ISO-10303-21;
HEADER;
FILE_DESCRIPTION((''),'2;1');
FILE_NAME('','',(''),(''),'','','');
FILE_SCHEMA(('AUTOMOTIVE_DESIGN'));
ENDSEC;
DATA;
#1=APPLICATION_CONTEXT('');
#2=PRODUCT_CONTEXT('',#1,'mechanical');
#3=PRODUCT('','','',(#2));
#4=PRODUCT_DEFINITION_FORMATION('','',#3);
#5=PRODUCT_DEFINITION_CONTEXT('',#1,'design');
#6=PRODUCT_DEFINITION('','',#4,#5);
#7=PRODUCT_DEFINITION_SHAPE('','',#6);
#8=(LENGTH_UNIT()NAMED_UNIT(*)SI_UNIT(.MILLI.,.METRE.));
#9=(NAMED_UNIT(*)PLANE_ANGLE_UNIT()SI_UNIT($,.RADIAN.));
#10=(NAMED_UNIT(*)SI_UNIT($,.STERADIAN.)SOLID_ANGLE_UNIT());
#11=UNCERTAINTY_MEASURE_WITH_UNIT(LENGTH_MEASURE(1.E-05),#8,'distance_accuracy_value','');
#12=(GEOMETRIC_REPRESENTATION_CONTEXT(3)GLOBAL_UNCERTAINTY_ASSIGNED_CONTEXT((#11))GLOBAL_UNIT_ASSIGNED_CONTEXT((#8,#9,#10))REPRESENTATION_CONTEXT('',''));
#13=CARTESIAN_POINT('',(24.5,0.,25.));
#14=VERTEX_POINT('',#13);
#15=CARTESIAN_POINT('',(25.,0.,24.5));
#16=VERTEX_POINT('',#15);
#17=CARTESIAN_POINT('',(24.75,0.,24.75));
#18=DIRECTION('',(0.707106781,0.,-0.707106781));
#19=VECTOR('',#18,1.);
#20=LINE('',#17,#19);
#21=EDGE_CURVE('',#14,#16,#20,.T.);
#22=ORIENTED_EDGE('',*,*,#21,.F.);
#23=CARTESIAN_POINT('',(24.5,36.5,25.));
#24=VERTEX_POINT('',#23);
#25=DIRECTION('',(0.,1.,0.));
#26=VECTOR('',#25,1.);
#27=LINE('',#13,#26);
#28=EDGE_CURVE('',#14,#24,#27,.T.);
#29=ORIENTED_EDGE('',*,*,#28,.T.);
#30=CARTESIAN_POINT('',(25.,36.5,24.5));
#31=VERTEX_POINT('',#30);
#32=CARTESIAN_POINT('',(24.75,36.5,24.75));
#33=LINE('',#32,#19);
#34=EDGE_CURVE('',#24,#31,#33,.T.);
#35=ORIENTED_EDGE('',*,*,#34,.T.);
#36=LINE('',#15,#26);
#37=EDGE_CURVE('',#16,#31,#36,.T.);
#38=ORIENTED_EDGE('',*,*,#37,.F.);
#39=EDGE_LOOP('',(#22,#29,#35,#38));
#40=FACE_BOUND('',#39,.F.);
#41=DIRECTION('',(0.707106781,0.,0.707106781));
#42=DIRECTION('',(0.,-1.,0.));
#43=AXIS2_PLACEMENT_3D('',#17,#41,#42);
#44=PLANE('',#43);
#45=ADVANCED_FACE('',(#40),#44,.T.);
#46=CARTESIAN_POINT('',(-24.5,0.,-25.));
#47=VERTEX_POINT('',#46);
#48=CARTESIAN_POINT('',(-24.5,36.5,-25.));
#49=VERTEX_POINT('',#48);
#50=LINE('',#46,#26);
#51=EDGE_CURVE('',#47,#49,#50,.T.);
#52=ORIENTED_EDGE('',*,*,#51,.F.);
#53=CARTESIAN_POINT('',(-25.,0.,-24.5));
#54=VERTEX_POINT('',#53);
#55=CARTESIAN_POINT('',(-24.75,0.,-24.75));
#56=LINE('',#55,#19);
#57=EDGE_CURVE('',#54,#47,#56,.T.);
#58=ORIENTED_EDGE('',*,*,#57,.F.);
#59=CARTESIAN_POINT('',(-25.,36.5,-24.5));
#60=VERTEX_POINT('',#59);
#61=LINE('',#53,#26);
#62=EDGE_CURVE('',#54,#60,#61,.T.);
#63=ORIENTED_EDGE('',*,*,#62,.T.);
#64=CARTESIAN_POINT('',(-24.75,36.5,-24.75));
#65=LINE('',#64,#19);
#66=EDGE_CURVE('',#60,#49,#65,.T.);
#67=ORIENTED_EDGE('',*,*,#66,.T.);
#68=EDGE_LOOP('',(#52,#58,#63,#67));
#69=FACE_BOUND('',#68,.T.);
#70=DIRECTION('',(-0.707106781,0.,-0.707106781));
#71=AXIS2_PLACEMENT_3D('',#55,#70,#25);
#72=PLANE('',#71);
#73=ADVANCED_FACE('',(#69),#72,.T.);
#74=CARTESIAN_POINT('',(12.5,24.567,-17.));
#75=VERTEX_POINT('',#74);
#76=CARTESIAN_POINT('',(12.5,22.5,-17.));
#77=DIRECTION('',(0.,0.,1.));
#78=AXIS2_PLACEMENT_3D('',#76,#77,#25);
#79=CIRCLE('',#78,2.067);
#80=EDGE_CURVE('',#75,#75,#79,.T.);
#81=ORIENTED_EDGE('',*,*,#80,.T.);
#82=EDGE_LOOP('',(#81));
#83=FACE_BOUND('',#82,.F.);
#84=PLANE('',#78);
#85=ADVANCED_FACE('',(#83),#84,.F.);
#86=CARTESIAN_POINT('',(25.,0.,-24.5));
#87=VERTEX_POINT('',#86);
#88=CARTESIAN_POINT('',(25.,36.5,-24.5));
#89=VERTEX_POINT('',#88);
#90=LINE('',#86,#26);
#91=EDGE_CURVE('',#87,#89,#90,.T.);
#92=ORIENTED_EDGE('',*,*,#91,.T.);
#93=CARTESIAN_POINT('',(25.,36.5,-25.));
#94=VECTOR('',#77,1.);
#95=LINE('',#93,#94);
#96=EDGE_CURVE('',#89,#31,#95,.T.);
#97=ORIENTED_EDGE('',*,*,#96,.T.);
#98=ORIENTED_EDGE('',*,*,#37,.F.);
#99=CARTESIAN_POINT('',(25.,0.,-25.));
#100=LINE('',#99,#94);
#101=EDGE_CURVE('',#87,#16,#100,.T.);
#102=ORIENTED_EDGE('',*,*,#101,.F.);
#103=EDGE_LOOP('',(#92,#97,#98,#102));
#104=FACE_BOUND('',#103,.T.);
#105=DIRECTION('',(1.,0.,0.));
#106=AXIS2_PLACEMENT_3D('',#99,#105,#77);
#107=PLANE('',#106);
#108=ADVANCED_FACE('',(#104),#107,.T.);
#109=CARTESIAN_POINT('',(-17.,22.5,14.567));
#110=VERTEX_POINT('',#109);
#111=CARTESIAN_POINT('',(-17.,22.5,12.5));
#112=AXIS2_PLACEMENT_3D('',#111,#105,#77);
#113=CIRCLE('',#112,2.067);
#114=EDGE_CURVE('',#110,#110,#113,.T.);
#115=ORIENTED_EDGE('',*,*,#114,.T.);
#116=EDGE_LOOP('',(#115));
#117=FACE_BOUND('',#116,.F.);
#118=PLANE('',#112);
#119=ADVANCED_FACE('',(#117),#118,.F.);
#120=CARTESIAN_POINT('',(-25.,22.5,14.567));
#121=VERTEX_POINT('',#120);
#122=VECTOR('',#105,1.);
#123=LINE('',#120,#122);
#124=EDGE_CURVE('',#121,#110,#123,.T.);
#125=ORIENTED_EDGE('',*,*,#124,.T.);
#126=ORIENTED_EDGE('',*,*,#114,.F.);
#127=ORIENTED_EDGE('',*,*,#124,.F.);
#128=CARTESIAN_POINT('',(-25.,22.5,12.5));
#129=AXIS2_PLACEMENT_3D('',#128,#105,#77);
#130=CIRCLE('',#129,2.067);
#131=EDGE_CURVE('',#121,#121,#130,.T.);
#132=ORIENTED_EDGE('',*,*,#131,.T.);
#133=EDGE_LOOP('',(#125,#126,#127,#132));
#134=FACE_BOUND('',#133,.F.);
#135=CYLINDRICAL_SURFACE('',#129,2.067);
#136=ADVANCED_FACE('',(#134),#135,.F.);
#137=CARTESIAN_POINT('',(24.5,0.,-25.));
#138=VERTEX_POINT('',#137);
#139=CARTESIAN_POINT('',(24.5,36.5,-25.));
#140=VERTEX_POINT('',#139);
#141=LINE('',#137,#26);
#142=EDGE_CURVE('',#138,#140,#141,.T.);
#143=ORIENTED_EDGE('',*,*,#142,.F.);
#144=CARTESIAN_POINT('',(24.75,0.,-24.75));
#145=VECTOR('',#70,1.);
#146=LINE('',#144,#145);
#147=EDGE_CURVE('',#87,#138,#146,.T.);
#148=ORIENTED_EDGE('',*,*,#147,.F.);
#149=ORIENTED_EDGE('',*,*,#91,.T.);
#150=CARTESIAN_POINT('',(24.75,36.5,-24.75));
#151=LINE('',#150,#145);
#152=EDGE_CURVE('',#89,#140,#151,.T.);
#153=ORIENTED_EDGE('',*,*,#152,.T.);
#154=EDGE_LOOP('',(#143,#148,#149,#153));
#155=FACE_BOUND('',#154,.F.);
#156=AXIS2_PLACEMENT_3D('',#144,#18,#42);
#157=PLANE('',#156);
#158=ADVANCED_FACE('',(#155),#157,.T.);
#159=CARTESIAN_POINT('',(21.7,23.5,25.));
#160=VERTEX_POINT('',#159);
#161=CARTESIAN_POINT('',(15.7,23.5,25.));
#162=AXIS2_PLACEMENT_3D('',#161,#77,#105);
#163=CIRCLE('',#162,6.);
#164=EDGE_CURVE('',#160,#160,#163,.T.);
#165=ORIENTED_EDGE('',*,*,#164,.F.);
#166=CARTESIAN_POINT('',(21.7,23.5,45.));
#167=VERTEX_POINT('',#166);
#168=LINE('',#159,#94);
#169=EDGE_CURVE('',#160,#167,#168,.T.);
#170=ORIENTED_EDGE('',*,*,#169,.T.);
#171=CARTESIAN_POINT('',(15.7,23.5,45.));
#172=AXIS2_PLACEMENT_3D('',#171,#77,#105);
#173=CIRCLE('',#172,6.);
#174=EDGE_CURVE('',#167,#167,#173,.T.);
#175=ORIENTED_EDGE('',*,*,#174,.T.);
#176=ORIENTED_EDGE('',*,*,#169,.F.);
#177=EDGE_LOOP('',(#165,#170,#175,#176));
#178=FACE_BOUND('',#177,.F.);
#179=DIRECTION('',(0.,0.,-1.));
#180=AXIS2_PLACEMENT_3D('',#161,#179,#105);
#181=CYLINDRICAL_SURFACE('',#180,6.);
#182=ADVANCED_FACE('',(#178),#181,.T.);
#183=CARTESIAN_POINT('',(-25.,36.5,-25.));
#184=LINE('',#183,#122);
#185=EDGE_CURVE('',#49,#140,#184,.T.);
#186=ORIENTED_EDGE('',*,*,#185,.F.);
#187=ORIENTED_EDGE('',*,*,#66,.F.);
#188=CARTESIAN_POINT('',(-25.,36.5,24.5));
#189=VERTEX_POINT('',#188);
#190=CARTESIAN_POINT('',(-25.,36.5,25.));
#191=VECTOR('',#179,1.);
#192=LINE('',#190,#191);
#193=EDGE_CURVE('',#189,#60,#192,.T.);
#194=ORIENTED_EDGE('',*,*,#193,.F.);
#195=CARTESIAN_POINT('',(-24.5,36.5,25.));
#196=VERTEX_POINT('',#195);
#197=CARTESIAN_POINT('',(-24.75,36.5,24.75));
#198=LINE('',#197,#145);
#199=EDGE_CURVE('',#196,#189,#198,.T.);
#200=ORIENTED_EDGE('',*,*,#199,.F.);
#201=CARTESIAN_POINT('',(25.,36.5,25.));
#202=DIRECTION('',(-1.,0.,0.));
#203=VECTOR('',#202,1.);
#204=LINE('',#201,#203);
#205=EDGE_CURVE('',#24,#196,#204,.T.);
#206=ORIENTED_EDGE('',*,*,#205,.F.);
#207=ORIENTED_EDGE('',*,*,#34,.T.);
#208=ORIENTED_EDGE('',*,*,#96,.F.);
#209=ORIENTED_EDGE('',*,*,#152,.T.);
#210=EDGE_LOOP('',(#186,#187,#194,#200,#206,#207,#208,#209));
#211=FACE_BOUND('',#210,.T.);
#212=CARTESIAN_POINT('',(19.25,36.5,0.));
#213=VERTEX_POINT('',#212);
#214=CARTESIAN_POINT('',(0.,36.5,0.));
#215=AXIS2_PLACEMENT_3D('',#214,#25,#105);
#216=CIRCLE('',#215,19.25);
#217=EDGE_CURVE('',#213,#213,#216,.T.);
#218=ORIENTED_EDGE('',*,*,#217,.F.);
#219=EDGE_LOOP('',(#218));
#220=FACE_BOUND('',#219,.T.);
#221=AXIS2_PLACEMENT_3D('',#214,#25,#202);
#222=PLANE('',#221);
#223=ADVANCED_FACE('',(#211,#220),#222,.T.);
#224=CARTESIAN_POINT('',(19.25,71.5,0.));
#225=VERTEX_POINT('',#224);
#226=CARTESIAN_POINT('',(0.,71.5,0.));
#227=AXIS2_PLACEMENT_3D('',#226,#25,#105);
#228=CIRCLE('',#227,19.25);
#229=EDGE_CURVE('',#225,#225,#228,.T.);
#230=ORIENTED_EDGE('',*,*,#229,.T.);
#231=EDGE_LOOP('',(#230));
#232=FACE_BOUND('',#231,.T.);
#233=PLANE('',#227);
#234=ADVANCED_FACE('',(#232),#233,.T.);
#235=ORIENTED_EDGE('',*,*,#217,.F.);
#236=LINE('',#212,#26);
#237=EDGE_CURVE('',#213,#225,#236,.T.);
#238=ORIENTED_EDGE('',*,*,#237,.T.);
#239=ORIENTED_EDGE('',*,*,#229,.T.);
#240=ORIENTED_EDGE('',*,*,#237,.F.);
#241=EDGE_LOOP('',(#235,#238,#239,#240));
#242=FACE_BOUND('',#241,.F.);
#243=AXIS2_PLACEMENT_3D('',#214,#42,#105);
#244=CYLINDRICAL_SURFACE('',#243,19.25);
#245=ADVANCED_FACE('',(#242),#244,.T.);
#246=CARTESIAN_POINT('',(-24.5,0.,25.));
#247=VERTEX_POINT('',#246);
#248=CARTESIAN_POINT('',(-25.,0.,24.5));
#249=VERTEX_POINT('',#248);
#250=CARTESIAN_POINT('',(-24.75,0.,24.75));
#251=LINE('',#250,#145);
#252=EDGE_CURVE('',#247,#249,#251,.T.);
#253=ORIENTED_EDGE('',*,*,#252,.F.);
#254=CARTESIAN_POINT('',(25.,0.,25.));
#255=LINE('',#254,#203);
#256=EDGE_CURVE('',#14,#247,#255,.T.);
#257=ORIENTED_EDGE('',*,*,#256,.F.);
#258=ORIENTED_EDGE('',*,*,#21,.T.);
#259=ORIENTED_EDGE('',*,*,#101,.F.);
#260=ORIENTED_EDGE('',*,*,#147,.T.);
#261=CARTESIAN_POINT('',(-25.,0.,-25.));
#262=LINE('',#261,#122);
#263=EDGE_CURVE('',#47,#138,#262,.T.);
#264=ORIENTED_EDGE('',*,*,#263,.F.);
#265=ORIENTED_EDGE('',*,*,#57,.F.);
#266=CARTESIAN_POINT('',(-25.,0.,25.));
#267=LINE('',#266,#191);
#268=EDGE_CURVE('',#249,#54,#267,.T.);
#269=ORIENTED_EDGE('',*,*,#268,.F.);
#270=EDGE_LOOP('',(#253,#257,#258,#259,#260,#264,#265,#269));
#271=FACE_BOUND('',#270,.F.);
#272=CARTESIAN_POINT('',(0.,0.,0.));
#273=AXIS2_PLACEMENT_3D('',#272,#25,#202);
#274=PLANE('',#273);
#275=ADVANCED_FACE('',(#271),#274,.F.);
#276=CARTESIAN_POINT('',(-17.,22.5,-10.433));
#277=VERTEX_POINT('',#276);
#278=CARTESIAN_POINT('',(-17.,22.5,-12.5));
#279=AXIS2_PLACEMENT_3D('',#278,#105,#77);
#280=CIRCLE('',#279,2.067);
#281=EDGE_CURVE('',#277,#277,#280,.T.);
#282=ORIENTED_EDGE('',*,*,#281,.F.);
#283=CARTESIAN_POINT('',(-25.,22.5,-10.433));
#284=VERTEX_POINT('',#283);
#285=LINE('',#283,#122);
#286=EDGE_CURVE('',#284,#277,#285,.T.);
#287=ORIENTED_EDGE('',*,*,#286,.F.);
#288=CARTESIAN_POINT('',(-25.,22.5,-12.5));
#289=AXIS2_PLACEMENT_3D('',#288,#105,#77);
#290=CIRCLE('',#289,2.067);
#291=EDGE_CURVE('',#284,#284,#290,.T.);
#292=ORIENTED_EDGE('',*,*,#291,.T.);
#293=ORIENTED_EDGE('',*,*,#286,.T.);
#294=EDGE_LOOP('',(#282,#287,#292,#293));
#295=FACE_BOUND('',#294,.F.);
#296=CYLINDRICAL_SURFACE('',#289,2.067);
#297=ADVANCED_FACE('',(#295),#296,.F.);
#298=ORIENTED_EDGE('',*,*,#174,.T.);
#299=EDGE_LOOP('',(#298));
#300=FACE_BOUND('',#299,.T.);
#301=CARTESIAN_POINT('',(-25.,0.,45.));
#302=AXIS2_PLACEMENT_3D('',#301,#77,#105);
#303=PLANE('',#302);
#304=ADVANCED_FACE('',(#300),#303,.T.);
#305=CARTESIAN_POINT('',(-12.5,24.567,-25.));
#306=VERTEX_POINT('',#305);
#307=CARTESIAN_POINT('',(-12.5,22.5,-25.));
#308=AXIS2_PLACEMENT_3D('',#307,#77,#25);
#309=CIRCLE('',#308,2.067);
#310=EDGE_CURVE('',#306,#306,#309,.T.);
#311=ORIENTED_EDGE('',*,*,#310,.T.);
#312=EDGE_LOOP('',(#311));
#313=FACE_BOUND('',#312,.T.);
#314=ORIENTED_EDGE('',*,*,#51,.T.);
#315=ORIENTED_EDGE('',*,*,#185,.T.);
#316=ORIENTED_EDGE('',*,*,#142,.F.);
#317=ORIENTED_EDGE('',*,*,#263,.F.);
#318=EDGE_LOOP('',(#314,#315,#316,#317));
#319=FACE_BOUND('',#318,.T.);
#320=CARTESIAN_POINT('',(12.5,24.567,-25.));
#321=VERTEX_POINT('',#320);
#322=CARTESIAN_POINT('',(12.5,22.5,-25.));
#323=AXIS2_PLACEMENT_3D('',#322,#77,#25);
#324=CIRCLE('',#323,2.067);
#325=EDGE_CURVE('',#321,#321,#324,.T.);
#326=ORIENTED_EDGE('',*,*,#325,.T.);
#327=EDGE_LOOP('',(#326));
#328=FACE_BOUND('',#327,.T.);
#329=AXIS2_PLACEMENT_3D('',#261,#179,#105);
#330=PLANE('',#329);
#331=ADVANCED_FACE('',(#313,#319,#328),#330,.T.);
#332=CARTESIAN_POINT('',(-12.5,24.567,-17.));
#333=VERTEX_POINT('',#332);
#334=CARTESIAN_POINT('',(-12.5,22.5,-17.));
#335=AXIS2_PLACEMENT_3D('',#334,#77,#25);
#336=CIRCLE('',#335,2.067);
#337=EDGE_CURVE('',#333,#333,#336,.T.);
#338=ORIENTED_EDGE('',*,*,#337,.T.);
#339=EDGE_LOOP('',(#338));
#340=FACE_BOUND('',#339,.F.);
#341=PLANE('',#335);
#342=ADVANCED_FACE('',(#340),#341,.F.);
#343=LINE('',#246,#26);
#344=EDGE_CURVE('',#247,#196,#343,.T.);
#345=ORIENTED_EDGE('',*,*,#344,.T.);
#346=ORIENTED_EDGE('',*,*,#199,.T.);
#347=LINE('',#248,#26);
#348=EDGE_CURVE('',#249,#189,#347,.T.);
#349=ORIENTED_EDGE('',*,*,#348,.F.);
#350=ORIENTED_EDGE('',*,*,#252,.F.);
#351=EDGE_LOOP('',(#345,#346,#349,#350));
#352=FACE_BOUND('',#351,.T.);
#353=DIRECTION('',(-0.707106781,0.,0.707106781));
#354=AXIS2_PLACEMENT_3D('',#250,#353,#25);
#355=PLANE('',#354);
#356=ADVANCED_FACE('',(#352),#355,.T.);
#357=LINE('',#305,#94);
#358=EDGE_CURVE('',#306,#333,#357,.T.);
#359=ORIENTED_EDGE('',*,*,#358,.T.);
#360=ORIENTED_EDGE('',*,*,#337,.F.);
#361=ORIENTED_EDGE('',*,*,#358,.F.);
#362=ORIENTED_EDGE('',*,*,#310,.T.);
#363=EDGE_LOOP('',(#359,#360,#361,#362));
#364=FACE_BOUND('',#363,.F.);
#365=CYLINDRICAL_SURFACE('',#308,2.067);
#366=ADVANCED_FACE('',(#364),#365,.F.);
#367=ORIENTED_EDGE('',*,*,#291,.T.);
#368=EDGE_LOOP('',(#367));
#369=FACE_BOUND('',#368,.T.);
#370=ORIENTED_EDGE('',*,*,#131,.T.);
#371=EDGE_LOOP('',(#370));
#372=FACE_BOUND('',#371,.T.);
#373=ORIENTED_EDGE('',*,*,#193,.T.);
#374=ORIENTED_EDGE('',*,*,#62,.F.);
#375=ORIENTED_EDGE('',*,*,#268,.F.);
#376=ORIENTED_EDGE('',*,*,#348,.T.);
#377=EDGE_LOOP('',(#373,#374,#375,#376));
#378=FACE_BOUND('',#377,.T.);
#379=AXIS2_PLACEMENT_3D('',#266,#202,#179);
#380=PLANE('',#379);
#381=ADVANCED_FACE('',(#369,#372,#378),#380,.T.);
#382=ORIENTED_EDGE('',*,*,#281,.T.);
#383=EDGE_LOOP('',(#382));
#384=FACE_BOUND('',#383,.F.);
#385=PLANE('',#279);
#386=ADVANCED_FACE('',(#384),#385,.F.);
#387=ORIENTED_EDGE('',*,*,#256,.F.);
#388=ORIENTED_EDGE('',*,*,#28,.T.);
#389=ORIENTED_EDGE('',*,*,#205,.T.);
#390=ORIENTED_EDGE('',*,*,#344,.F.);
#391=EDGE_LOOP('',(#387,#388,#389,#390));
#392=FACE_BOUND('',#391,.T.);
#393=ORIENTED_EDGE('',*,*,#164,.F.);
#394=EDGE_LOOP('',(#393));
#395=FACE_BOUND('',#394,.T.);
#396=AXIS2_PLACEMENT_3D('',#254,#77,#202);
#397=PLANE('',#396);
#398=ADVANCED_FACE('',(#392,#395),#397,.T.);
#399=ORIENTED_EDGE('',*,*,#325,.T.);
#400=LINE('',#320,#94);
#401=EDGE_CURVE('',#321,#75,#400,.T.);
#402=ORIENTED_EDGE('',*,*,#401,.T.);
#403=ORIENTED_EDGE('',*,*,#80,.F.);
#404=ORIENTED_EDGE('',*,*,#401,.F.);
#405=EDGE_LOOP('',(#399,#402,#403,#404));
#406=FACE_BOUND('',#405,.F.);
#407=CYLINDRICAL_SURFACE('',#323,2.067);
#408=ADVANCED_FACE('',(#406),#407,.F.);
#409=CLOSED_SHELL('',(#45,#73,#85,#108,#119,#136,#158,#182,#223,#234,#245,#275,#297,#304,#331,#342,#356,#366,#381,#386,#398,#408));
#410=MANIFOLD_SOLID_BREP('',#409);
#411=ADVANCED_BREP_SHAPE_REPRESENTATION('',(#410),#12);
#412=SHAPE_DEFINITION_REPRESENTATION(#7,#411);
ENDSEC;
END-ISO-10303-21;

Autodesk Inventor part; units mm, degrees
ref_plane "YZ Plane" through (0, 0, 0) normal (1, 0, 0) x (0, 1, 0)
ref_plane "XZ Plane" through (0, 0, 0) normal (0, 1, 0) x (-1, 0, 0)
sketch "Sketch1" plane through (0, 0, 0) normal (0, 1, 0) x (-1, 0, 0)
  line L0 (-25, 25) -> (25, 25)
  line L1 (25, 25) -> (25, -25)
  line L2 (25, -25) -> (-25, -25)
  line L3 (-25, -25) -> (-25, 25)
  line L4 (-25, 25) -> (25, -25) construction
  line L5 (25, 25) -> (-25, -25) construction
  point P0 (0, 0)
  dimension "d0" = 50
  dimension "d1" = 50
extrude "Extrusion1" add sketch "Sketch1" along normal blind 36.5
sketch "Sketch2" plane through (-25, 0, 25) normal (0, 0, 1) x (1, 0, 0)
  line L0 (0, 0) -> (50, 0) projected
  line L1 (50, 0) -> (50, 36.5) projected
  line L2 (0, 36.5) -> (50, 36.5) projected
  line L3 (0, 0) -> (0, 36.5) projected
  circle A0 centre (40.7, 23.5) radius 6
  line L4 (25, 0) -> (25, 36.5) construction
  dimension "d4" = 15.7
  dimension "d5" = 13
  dimension "d6" = 12
extrude "Extrusion2" add sketch "Sketch2" along normal blind 20 contours A0
sketch "Sketch4" plane through (0, 36.5, 0) normal (0, 1, 0) x (1, 0, 0)
  circle A0 centre (0, 0) radius 19.25
  dimension "d12" = 38.5
extrude "Extrusion4" add sketch "Sketch4" along normal blind 35
sketch "Sketch7" plane through (25, 0, -25) normal (0, 0, -1) x (-1, 0, 0)
  line L0 (0, 0) -> (50, 0) projected
  line L1 (50, 0) -> (50, 36.5) projected
  line L2 (0, 36.5) -> (50, 36.5) projected
  line L3 (0, 0) -> (0, 36.5) projected
  line L4 (12.5, 22.5) -> (37.5, 22.5) construction
  point P0 (25, 0)
  point P1 (25, 22.5)
  point P2 (25, 0)
  dimension "d22" = 25
  dimension "d23" = 22.5
hole "Hole2" at (12.5, 22.5, -25) at (-12.5, 22.5, -25) direction (0, 0, 1) diameter 4.134 depth 8 thread size "M5x0.8" class "6H" standard "ISO Metric profile"
sketch "Sketch9" plane through (-25, 0, -25) normal (-1, 0, 0) x (0, 0, 1)
  line L0 (0, 0) -> (50, 0) projected
  line L1 (50, 0) -> (50, 36.5) projected
  line L2 (0, 36.5) -> (50, 36.5) projected
  line L3 (0, 0) -> (0, 36.5) projected
  line L4 (12.5, 22.5) -> (37.5, 22.5) construction
  point P0 (25, 0)
  point P1 (25, 22.5)
  point P2 (25, 0)
  dimension "d38" = 25
  dimension "d39" = 22.5
hole "Hole3" at (-25, 22.5, -12.5) at (-25, 22.5, 12.5) direction (1, 0, 0) diameter 4.134 depth 8 thread size "M5x0.8" class "6H" standard "ISO Metric profile"
chamfer "Chamfer1" distance 0.5 angle 45 4 edges at (25, 18.25, 25) (-25, 18.25, 25) (25, 18.25, -25) (-25, 18.25, -25)
sketch "Sketch10" plane through (15.7, 23.5, 45) normal (0, 0, 1) x (1, 0, 0)
  circle A0 centre (0, 0) radius 6 projected
  point P0 (-15.7, -23.5)
ref_plane "Work Plane4" through (15.7, 23.5, 45) normal (0, -1, 0) x (1, 0, 0)
properties part number "RE38S-600Z-1M-no-end" material "ABS Plastic"
